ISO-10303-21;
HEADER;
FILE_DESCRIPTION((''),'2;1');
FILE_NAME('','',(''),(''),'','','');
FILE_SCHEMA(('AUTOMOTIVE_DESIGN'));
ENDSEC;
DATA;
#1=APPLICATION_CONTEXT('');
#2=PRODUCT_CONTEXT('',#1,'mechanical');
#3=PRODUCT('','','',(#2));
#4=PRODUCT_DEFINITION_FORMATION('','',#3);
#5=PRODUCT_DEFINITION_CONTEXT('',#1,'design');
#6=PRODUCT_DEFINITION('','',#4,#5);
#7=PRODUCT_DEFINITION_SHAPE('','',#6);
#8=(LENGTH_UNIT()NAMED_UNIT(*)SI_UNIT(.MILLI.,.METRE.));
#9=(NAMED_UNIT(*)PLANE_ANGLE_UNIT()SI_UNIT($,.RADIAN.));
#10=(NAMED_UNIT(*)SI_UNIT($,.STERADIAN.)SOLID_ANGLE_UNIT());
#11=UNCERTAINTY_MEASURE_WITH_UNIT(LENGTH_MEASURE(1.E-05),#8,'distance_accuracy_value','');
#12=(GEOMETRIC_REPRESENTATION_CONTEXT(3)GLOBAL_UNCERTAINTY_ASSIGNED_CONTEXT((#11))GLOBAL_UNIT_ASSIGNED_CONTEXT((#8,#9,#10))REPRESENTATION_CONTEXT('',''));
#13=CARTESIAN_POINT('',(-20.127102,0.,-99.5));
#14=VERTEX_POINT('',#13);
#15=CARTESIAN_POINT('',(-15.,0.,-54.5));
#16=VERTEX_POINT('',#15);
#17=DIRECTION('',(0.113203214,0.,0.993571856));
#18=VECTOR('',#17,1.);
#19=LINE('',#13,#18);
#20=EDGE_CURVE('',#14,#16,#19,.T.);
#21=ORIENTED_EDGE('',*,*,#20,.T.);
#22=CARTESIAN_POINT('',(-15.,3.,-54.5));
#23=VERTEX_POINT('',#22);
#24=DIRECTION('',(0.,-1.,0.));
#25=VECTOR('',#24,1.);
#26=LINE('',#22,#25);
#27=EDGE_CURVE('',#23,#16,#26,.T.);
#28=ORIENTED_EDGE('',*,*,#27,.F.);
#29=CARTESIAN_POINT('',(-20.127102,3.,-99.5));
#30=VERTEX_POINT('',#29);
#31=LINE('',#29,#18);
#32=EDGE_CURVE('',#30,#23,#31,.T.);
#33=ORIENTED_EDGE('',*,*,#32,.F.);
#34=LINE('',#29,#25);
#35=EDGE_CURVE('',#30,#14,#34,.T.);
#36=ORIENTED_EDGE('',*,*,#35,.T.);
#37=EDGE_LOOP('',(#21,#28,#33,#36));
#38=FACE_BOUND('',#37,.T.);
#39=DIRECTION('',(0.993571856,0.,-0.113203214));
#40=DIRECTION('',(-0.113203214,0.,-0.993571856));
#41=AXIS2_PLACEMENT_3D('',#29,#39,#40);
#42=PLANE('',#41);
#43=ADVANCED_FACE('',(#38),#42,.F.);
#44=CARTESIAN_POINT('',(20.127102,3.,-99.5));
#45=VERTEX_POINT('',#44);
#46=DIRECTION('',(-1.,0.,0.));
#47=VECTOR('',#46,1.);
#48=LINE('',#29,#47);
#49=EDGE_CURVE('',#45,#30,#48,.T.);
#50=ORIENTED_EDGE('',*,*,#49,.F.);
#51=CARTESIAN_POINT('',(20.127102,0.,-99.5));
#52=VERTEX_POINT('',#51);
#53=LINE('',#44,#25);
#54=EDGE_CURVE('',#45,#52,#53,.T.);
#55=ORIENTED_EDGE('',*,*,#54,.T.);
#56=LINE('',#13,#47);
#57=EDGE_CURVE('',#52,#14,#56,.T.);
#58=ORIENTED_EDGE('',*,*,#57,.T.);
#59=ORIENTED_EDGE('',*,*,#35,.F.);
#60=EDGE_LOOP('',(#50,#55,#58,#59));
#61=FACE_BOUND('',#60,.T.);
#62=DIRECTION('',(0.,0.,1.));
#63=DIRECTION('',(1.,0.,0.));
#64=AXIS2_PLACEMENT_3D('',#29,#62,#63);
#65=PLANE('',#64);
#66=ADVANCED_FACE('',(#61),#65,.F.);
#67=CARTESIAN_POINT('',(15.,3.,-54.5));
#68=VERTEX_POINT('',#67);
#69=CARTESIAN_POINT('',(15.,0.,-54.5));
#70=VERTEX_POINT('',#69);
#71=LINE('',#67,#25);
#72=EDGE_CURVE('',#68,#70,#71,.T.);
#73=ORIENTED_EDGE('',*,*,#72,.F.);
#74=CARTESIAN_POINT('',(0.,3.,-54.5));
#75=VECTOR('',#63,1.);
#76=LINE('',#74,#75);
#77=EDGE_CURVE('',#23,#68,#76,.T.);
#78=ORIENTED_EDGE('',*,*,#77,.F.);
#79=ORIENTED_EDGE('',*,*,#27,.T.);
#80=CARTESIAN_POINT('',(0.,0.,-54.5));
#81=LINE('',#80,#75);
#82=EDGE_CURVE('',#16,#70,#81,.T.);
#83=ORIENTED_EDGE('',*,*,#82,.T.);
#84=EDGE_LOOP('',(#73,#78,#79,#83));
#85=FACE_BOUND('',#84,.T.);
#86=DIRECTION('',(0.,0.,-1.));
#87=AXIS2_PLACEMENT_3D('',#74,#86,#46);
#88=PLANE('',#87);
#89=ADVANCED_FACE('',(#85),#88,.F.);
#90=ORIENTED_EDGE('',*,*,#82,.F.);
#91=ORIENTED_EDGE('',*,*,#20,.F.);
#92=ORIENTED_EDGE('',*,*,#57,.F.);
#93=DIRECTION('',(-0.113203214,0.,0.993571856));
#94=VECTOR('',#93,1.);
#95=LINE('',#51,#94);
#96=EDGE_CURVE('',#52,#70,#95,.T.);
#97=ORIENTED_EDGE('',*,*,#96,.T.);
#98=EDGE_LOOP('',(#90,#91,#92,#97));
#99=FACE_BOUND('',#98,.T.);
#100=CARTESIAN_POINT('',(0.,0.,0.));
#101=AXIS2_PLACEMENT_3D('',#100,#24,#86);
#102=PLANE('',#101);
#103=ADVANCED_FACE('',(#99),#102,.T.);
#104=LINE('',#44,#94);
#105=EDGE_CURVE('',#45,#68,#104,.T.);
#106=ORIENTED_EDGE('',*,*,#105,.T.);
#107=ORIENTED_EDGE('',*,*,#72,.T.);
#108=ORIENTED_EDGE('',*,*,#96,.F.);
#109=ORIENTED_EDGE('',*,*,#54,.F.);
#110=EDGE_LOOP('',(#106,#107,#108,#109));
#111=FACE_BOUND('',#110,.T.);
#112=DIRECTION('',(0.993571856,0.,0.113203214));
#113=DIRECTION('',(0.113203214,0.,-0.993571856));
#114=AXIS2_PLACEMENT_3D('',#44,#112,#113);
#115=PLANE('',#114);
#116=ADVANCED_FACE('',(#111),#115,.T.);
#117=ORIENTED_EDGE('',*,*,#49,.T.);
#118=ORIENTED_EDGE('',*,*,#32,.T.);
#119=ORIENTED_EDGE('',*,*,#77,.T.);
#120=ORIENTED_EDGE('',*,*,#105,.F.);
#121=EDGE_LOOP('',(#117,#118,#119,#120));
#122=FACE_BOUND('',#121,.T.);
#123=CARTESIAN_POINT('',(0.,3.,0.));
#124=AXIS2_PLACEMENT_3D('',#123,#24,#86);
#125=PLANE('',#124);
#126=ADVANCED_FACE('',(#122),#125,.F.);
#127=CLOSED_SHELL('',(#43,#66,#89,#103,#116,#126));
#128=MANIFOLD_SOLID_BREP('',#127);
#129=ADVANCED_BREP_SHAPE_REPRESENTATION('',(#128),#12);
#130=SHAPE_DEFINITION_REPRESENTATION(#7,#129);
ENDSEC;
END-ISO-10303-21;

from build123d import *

# Parameters (mm, degrees)
BOSS_EXTRUDE1_DEPTH = 3


with BuildPart() as part:
    # Sketch1 → Boss-Extrude1 (new body)
    with BuildSketch(Plane(origin=(0, 0, 0), x_dir=(1, 0, 0), z_dir=(0, 1, 0))):
        Polygon((-20.127102374, 99.5), (-15, 54.5), (0, 54.5), (0, 99.5), align=None)
    boss_extrude1 = extrude(amount=BOSS_EXTRUDE1_DEPTH)

    # Mirror2: Boss-Extrude1 across plane
    add(boss_extrude1.mirror(Plane(origin=(0, 0, 0), x_dir=(0, 0, 1), z_dir=(1, 0, 0))))


solid = part.part
